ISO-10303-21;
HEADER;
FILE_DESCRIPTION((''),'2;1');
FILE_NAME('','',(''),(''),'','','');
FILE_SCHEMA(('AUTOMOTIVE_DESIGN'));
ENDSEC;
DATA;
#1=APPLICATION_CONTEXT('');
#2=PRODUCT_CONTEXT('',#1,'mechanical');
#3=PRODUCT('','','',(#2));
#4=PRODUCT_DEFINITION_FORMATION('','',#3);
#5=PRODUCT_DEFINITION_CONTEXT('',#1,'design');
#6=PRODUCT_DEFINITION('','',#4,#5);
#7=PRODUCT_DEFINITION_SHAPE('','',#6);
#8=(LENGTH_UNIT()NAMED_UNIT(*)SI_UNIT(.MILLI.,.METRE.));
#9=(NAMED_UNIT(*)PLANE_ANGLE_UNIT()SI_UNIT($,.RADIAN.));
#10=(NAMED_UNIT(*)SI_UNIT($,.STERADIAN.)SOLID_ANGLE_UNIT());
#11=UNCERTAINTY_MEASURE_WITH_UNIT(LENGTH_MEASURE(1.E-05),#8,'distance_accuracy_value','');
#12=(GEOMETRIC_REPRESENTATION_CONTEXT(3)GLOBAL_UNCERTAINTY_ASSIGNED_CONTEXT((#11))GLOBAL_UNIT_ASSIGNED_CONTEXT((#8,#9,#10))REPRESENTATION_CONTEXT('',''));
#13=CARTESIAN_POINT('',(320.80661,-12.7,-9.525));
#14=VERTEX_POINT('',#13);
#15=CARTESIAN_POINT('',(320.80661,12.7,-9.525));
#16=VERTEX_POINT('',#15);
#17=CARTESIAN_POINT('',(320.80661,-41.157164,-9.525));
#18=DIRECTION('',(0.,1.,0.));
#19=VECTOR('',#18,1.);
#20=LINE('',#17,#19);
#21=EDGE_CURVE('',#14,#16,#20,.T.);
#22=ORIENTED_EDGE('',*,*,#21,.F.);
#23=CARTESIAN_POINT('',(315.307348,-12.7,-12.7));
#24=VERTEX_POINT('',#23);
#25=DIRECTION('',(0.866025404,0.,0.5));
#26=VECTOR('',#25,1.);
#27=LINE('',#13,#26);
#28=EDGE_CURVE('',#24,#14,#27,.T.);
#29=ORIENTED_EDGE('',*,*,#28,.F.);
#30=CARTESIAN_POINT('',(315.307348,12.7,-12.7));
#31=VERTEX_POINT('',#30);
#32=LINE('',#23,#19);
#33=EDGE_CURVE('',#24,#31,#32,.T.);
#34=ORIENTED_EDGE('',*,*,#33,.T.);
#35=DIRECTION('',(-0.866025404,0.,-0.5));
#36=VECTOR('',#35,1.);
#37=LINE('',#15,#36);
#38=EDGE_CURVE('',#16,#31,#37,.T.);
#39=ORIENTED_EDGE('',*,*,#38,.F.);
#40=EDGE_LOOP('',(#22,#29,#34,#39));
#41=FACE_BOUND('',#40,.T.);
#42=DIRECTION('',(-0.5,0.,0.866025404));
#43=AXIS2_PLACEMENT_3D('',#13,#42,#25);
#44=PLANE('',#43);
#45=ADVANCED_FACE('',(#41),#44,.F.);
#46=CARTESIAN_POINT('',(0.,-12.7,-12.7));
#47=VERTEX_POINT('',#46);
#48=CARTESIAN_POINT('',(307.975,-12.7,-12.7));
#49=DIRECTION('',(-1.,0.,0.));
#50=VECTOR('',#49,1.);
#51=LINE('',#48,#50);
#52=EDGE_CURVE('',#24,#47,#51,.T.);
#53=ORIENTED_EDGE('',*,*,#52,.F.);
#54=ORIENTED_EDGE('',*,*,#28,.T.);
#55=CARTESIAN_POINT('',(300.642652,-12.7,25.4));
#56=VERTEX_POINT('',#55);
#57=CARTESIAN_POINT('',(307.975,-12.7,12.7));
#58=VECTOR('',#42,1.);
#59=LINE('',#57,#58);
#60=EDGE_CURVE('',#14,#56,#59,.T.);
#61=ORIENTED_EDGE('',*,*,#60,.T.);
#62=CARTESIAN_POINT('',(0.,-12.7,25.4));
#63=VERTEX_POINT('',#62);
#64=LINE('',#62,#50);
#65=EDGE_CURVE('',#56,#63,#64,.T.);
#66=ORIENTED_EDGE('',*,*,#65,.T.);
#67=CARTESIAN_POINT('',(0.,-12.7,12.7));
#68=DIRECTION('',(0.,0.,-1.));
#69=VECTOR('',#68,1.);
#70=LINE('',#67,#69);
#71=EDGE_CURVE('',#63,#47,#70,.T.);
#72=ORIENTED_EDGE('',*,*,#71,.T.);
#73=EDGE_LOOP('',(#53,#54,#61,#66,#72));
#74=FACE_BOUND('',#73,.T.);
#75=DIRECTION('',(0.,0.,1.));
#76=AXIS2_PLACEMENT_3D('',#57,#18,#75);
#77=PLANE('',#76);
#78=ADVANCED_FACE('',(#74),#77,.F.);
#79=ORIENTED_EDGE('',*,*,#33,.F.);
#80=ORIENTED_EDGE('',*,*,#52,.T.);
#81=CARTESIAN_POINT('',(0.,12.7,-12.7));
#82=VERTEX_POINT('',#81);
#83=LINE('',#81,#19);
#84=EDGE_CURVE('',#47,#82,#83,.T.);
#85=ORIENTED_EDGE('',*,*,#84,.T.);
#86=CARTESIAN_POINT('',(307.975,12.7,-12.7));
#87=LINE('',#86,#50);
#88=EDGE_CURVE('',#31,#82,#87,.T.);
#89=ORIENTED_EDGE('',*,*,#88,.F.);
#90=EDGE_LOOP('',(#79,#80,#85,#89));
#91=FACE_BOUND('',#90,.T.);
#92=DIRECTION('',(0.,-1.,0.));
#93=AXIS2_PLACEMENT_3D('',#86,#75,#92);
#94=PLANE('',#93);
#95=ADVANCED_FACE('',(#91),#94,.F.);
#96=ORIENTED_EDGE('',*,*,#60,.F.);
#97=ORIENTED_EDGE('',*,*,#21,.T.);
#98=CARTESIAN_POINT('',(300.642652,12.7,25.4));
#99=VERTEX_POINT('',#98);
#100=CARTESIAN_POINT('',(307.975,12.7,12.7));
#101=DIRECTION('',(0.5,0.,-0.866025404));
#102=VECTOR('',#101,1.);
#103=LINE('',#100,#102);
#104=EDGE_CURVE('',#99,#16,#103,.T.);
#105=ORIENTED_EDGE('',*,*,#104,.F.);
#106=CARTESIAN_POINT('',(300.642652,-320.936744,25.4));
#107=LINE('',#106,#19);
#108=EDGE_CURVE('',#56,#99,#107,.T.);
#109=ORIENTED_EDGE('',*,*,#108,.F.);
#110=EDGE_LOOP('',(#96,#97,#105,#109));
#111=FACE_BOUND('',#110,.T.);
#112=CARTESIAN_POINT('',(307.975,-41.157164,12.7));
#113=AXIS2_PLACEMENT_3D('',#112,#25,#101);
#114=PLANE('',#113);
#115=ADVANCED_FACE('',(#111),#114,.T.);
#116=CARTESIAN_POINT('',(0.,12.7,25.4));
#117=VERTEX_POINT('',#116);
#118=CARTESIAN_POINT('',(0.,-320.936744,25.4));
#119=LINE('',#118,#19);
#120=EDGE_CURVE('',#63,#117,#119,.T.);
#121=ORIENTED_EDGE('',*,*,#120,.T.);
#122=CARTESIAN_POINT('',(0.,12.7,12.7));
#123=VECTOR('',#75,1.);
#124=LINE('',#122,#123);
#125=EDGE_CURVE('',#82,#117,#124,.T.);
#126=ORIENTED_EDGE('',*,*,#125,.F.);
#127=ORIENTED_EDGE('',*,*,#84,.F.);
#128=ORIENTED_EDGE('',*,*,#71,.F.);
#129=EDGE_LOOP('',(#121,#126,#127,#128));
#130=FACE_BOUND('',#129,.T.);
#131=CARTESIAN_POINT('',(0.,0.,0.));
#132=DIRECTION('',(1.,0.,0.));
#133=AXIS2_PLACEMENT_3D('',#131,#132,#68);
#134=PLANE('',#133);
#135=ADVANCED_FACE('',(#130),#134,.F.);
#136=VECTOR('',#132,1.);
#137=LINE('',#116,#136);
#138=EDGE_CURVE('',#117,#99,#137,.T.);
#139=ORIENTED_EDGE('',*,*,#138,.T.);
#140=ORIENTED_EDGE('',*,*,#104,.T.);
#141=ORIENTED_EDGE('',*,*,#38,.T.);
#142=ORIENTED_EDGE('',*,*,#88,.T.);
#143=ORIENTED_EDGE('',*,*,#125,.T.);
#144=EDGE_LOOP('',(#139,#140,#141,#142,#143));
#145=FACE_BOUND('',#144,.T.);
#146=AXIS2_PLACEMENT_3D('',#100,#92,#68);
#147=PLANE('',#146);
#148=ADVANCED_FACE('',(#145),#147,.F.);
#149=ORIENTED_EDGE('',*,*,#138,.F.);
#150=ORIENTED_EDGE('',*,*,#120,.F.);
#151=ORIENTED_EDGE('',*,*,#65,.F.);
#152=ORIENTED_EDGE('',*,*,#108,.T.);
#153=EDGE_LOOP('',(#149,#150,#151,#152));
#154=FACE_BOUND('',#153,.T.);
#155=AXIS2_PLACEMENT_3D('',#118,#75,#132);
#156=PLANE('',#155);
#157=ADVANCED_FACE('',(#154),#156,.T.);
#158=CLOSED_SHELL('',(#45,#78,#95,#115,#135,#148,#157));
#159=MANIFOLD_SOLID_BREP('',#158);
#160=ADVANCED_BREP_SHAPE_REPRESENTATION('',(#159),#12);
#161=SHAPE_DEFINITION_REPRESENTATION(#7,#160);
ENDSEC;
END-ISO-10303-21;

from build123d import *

# Parameters (mm, degrees)
SKETCH1_W               = 25.4
SKETCH1_H               = 25.4
BOSS_EXTRUDE1_DEPTH     = 307.975
BOSS_EXTRUDE2_DEPTH     = 25.4
CUT_EXTRUDE1_DEPTH      = 323.061066955
CUT_EXTRUDE1_DEPTH_BACK = 323.061066955
BOSS_EXTRUDE3_DEPTH     = 25.4


with BuildPart() as part:
    # Sketch1 → Boss-Extrude1 (new body)
    with BuildSketch(Plane(origin=(0, 0, 0), x_dir=(0, 0, -1), z_dir=(1, 0, 0))):
        Rectangle(SKETCH1_W, SKETCH1_H)
    extrude(amount=BOSS_EXTRUDE1_DEPTH)

    # Sketch2 → Boss-Extrude2 (add)
    with BuildSketch(Plane(origin=(0, 12.7, 0), x_dir=(1, 0, 0), z_dir=(0, 1, 0))):
        Polygon((307.975, -12.7), (320.806609733, 9.525), (320.806609733, 12.7), (307.975, 12.7), align=None)
    extrude(amount=-BOSS_EXTRUDE2_DEPTH)

    # Sketch3 → Cut-Extrude1 (cut, two sides: drawn at the far end of the back side and taken through both)
    with BuildSketch(Plane(origin=(0, 12.7, 0), x_dir=(1, 0, 0), z_dir=(0, 1, 0)).offset(-CUT_EXTRUDE1_DEPTH_BACK)):
        Polygon((320.806609733, 9.525), (315.307348419, 12.7), (320.806609733, 12.7), align=None)
    extrude(amount=CUT_EXTRUDE1_DEPTH + CUT_EXTRUDE1_DEPTH_BACK, mode=Mode.SUBTRACT)

    # Sketch4 → Boss-Extrude3 (add)
    with BuildSketch(Plane(origin=(0, 12.7, 0), x_dir=(1, 0, 0), z_dir=(0, 1, 0))):
        Polygon((0, -12.7), (0, -25.4), (300.642651581, -25.4), (307.975, -12.7), align=None)
    extrude(amount=-BOSS_EXTRUDE3_DEPTH)


solid = part.part
